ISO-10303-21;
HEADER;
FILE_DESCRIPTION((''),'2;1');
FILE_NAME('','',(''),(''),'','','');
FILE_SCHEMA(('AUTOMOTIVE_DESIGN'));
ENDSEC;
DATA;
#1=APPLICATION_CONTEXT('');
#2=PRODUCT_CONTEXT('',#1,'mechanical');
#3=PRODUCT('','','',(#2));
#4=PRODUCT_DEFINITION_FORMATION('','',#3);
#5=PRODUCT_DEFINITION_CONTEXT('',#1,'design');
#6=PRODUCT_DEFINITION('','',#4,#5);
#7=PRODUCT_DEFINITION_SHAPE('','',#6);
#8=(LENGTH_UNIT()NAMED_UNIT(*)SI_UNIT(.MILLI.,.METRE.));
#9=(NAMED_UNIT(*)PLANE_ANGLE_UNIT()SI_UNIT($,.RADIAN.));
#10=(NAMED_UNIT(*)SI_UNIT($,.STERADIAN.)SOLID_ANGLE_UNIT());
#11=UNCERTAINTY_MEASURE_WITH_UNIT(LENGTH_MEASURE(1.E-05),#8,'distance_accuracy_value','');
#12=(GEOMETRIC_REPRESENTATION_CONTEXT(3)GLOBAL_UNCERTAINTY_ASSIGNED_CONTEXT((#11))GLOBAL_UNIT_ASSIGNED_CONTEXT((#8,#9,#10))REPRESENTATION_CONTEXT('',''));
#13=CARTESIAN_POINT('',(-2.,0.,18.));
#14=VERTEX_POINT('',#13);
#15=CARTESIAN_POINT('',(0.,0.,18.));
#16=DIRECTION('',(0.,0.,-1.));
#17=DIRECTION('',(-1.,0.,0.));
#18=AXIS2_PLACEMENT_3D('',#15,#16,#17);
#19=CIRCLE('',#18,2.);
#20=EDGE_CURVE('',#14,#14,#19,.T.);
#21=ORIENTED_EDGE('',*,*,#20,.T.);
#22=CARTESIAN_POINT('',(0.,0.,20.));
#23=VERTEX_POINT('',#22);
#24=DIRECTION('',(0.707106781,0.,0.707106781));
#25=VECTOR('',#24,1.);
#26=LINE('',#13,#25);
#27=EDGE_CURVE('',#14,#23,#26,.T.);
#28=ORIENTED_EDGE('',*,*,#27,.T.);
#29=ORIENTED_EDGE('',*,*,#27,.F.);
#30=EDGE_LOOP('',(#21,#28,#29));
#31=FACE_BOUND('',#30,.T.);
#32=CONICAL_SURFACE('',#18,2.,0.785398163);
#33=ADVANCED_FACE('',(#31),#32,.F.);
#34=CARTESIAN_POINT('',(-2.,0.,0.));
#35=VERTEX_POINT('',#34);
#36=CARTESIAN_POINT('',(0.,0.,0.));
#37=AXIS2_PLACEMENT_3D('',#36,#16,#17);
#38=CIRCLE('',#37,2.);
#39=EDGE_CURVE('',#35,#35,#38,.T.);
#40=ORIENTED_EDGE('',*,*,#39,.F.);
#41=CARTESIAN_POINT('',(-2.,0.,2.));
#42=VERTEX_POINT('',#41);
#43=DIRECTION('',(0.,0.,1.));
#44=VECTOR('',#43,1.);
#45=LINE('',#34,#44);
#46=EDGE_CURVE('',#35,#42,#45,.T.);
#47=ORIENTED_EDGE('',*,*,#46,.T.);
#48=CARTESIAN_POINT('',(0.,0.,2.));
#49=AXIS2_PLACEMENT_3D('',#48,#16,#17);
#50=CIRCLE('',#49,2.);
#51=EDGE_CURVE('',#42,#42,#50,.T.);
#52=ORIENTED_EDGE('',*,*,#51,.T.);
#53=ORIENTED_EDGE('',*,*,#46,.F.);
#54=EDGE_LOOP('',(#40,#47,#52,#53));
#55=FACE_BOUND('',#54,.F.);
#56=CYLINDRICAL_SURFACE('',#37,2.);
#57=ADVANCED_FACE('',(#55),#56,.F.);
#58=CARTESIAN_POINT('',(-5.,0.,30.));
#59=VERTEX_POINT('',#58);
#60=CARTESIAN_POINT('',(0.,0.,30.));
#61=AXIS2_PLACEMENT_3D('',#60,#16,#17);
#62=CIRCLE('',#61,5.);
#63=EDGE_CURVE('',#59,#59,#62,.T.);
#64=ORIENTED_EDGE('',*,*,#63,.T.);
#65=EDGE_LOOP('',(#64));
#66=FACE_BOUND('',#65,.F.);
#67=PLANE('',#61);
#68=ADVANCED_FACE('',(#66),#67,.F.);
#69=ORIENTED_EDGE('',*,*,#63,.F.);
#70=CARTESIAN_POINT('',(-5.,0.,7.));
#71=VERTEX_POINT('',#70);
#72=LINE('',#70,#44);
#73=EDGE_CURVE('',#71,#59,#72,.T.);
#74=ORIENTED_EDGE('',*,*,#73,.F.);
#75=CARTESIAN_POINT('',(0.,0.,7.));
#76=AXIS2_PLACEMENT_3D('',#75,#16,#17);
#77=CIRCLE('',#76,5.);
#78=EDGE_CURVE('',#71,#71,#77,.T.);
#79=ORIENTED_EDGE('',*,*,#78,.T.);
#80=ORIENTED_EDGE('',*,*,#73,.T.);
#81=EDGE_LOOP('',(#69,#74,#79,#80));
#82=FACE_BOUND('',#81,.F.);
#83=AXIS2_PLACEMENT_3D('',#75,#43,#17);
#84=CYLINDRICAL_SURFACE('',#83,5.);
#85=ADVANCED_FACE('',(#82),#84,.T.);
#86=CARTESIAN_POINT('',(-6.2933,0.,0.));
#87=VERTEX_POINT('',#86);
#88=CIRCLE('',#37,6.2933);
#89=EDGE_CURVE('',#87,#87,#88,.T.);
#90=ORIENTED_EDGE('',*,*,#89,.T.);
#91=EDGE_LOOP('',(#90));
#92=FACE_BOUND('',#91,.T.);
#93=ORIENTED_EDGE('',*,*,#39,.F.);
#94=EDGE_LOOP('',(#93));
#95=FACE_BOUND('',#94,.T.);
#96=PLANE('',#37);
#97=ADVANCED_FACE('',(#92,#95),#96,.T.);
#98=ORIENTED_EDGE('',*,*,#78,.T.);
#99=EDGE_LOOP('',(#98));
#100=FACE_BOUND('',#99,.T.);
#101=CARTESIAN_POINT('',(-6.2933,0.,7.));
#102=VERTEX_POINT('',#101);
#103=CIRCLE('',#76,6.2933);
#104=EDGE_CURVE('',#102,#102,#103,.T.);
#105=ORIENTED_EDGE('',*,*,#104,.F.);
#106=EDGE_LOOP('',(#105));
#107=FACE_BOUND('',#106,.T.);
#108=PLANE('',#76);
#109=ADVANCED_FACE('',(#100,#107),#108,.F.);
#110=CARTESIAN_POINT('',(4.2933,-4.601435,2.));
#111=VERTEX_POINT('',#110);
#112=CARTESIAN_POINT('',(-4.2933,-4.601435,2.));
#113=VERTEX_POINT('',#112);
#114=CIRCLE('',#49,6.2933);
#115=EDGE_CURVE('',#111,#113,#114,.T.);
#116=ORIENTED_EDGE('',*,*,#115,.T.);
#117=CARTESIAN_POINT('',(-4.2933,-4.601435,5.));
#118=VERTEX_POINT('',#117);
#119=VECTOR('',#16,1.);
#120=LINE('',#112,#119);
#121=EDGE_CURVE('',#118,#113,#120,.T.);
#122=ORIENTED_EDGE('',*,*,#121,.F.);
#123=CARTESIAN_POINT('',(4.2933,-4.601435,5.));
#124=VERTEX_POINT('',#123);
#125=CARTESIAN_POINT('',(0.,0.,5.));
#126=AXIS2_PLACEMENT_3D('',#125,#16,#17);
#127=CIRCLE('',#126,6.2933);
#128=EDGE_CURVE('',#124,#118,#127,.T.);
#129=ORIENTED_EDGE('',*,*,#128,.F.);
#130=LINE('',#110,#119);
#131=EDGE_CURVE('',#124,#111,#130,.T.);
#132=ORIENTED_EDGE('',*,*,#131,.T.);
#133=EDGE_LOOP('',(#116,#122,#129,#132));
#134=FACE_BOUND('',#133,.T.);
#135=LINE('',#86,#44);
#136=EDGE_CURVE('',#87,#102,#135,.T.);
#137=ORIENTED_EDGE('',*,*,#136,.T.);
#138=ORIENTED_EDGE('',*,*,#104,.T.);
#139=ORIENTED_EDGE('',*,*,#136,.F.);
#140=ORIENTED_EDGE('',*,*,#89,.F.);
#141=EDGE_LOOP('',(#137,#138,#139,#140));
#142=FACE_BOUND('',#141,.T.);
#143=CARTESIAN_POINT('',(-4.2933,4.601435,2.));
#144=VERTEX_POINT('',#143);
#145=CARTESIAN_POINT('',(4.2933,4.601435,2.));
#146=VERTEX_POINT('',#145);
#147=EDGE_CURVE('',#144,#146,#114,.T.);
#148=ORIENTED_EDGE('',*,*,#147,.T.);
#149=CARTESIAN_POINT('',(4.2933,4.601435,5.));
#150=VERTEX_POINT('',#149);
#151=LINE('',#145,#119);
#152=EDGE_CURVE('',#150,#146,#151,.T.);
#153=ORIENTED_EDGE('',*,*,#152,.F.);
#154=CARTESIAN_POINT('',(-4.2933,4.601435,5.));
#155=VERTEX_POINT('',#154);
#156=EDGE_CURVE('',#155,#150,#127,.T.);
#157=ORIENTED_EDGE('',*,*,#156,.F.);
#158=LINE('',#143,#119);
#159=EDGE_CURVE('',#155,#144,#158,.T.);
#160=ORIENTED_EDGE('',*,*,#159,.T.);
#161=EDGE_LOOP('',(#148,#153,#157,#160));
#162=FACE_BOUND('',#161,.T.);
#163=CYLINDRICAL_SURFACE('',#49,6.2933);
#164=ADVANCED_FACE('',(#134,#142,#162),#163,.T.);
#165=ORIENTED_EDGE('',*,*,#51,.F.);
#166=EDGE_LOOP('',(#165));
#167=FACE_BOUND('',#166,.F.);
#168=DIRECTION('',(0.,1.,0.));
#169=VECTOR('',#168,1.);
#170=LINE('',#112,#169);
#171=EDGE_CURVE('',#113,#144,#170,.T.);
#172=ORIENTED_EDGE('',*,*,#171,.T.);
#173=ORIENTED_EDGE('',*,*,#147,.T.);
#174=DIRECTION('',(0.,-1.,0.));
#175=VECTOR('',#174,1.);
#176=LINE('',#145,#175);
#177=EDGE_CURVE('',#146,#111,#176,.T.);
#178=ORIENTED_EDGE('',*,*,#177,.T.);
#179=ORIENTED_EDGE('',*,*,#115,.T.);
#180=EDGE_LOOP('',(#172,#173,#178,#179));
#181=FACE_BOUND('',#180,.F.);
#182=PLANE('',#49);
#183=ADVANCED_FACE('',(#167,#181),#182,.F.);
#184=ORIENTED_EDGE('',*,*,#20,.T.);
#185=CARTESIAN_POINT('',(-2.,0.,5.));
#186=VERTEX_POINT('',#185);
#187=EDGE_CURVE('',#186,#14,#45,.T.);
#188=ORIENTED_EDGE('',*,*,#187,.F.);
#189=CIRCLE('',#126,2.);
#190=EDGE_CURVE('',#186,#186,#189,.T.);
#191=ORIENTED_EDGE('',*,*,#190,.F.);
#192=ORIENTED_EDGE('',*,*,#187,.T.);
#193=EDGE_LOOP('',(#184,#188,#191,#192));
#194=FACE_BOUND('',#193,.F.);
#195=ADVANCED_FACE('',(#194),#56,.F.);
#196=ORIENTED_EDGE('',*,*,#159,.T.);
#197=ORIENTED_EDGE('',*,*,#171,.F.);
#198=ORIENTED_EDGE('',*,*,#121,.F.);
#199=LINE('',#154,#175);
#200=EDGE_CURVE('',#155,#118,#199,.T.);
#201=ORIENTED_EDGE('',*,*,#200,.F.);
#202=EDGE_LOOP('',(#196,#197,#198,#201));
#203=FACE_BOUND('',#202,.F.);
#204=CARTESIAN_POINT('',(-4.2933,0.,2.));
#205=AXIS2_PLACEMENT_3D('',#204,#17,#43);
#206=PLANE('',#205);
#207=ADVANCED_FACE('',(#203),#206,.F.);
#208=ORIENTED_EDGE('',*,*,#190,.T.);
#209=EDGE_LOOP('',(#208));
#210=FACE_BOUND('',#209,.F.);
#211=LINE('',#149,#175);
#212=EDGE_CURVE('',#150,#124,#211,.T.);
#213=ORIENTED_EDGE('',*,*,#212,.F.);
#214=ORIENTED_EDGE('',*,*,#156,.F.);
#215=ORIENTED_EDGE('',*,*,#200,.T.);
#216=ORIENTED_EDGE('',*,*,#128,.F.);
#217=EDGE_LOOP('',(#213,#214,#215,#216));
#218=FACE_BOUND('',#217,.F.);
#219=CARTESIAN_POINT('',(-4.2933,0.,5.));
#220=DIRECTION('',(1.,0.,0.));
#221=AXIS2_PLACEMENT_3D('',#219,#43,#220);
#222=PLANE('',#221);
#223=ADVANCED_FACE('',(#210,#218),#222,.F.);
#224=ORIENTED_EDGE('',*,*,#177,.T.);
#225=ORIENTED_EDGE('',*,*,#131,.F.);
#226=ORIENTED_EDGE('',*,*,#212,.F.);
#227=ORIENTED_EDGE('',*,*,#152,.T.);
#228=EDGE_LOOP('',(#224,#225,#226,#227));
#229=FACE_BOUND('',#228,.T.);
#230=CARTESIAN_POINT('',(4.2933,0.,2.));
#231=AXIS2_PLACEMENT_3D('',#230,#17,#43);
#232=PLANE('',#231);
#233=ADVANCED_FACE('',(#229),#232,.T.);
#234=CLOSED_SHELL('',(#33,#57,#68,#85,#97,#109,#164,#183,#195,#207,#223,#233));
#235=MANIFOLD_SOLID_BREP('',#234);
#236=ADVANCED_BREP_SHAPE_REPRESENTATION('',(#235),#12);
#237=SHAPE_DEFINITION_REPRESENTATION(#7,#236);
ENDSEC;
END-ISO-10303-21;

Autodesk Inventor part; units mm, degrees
ref_plane "YZ Plane" through (0, 0, 0) normal (1, 0, 0) x (0, 1, 0)
ref_plane "XZ Plane" through (0, 0, 0) normal (0, 1, 0) x (-1, 0, 0)
ref_plane "XY Plane" through (0, 0, 0) normal (0, 0, 1) x (1, 0, 0)
sketch "Boceto1" plane through (0, 0, 0) normal (0, 0, 1) x (1, 0, 0)
  circle A0 centre (0, 0) radius 8.9
  line L0 (6.2933, -6.2933) -> (-6.2933, -6.2933)
  line L1 (-6.2933, -6.2933) -> (-6.2933, 6.2933)
  line L2 (-6.2933, 6.2933) -> (6.2933, 6.2933)
  line L3 (6.2933, 6.2933) -> (6.2933, -6.2933)
  dimension "d0" = 17.8
  dimension "d1" = 12.5865
  dimension "d2" = 12.5865
sketch "Boceto2" plane through (0, 0, 0) normal (0, 1, 0) x (-1, 0, 0)
  line L0 (6.2933, 0) -> (-6.2933, 0)
  line L1 (-6.2933, 0) -> (-6.2933, 2)
  line L2 (-6.2933, 2) -> (6.2933, 2)
  line L3 (6.2933, 2) -> (6.2933, 0)
  line L4 (-6.2933, 0) -> (6.2933, 0)
  line L5 (6.2933, 0) -> (4.2933, 0)
  line L6 (4.2933, 0) -> (4.2933, 7)
  line L7 (4.2933, 7) -> (6.2933, 7)
  line L8 (6.2933, 7) -> (6.2933, 0)
  line L9 (-6.2933, 0) -> (-4.2933, 0)
  line L10 (-4.2933, 0) -> (-4.2933, 7)
  line L11 (-4.2933, 7) -> (-6.2933, 7)
  line L12 (-6.2933, 7) -> (-6.2933, 0)
  line L13 (-6.2933, 7) -> (6.2933, 7)
  line L14 (6.2933, 7) -> (6.2933, 5)
  line L15 (6.2933, 5) -> (-6.2933, 5)
  line L16 (-6.2933, 5) -> (-6.2933, 7)
  line L17 (0, 7) -> (5, 7)
  line L18 (5, 7) -> (5, 30)
  line L19 (5, 30) -> (0, 30)
  line L20 (0, 30) -> (0, 7)
  line L21 (0, 7) -> (0, 0)
  point P0 (6.2933, 10)
  point P1 (6.2933, 15)
  point P2 (6.2933, 20)
  point P3 (6.2933, 25)
  point P4 (6.2933, 30)
  point P5 (4.2933, 2)
  point P6 (-4.2933, 2)
  point P7 (0, 5)
  point P8 (4.2933, 5)
  point P9 (0, 2)
  point P10 (-4.2933, 5)
  dimension "d5" = 2
  dimension "d28" = 2
  dimension "d29" = 5
  dimension "d30" = 23
revolve "Revolución1" add sketch "Boceto2" angle 360 about axis through (0, 0, 7) along (0, 0, -1) contours L0 L6 L2 L3 | L0 L21 L2 L6 | L2 L6 L15 L8 | L15 L6 L7 L8 | L15 L21 L13 L6 | L13 L20 L19 L18 L7
extrude "Extrusión4" cut sketch "Boceto2" against normal mid plane 20 contours L2 L21 L15 L6 | L2 L10 L15 L21
sketch "Boceto4" plane through (0, 0, 0) normal (0, 0, -1) x (-1, 0, 0)
  circle A0 centre (0, 0) radius 2
  dimension "d34" = 4
extrude "Extrusión5" cut sketch "Boceto4" against normal blind 20
chamfer "Chaflán1" distance 2 angle 45 1 edges at (2, 0, 20)
properties part number "_3DPrint"
